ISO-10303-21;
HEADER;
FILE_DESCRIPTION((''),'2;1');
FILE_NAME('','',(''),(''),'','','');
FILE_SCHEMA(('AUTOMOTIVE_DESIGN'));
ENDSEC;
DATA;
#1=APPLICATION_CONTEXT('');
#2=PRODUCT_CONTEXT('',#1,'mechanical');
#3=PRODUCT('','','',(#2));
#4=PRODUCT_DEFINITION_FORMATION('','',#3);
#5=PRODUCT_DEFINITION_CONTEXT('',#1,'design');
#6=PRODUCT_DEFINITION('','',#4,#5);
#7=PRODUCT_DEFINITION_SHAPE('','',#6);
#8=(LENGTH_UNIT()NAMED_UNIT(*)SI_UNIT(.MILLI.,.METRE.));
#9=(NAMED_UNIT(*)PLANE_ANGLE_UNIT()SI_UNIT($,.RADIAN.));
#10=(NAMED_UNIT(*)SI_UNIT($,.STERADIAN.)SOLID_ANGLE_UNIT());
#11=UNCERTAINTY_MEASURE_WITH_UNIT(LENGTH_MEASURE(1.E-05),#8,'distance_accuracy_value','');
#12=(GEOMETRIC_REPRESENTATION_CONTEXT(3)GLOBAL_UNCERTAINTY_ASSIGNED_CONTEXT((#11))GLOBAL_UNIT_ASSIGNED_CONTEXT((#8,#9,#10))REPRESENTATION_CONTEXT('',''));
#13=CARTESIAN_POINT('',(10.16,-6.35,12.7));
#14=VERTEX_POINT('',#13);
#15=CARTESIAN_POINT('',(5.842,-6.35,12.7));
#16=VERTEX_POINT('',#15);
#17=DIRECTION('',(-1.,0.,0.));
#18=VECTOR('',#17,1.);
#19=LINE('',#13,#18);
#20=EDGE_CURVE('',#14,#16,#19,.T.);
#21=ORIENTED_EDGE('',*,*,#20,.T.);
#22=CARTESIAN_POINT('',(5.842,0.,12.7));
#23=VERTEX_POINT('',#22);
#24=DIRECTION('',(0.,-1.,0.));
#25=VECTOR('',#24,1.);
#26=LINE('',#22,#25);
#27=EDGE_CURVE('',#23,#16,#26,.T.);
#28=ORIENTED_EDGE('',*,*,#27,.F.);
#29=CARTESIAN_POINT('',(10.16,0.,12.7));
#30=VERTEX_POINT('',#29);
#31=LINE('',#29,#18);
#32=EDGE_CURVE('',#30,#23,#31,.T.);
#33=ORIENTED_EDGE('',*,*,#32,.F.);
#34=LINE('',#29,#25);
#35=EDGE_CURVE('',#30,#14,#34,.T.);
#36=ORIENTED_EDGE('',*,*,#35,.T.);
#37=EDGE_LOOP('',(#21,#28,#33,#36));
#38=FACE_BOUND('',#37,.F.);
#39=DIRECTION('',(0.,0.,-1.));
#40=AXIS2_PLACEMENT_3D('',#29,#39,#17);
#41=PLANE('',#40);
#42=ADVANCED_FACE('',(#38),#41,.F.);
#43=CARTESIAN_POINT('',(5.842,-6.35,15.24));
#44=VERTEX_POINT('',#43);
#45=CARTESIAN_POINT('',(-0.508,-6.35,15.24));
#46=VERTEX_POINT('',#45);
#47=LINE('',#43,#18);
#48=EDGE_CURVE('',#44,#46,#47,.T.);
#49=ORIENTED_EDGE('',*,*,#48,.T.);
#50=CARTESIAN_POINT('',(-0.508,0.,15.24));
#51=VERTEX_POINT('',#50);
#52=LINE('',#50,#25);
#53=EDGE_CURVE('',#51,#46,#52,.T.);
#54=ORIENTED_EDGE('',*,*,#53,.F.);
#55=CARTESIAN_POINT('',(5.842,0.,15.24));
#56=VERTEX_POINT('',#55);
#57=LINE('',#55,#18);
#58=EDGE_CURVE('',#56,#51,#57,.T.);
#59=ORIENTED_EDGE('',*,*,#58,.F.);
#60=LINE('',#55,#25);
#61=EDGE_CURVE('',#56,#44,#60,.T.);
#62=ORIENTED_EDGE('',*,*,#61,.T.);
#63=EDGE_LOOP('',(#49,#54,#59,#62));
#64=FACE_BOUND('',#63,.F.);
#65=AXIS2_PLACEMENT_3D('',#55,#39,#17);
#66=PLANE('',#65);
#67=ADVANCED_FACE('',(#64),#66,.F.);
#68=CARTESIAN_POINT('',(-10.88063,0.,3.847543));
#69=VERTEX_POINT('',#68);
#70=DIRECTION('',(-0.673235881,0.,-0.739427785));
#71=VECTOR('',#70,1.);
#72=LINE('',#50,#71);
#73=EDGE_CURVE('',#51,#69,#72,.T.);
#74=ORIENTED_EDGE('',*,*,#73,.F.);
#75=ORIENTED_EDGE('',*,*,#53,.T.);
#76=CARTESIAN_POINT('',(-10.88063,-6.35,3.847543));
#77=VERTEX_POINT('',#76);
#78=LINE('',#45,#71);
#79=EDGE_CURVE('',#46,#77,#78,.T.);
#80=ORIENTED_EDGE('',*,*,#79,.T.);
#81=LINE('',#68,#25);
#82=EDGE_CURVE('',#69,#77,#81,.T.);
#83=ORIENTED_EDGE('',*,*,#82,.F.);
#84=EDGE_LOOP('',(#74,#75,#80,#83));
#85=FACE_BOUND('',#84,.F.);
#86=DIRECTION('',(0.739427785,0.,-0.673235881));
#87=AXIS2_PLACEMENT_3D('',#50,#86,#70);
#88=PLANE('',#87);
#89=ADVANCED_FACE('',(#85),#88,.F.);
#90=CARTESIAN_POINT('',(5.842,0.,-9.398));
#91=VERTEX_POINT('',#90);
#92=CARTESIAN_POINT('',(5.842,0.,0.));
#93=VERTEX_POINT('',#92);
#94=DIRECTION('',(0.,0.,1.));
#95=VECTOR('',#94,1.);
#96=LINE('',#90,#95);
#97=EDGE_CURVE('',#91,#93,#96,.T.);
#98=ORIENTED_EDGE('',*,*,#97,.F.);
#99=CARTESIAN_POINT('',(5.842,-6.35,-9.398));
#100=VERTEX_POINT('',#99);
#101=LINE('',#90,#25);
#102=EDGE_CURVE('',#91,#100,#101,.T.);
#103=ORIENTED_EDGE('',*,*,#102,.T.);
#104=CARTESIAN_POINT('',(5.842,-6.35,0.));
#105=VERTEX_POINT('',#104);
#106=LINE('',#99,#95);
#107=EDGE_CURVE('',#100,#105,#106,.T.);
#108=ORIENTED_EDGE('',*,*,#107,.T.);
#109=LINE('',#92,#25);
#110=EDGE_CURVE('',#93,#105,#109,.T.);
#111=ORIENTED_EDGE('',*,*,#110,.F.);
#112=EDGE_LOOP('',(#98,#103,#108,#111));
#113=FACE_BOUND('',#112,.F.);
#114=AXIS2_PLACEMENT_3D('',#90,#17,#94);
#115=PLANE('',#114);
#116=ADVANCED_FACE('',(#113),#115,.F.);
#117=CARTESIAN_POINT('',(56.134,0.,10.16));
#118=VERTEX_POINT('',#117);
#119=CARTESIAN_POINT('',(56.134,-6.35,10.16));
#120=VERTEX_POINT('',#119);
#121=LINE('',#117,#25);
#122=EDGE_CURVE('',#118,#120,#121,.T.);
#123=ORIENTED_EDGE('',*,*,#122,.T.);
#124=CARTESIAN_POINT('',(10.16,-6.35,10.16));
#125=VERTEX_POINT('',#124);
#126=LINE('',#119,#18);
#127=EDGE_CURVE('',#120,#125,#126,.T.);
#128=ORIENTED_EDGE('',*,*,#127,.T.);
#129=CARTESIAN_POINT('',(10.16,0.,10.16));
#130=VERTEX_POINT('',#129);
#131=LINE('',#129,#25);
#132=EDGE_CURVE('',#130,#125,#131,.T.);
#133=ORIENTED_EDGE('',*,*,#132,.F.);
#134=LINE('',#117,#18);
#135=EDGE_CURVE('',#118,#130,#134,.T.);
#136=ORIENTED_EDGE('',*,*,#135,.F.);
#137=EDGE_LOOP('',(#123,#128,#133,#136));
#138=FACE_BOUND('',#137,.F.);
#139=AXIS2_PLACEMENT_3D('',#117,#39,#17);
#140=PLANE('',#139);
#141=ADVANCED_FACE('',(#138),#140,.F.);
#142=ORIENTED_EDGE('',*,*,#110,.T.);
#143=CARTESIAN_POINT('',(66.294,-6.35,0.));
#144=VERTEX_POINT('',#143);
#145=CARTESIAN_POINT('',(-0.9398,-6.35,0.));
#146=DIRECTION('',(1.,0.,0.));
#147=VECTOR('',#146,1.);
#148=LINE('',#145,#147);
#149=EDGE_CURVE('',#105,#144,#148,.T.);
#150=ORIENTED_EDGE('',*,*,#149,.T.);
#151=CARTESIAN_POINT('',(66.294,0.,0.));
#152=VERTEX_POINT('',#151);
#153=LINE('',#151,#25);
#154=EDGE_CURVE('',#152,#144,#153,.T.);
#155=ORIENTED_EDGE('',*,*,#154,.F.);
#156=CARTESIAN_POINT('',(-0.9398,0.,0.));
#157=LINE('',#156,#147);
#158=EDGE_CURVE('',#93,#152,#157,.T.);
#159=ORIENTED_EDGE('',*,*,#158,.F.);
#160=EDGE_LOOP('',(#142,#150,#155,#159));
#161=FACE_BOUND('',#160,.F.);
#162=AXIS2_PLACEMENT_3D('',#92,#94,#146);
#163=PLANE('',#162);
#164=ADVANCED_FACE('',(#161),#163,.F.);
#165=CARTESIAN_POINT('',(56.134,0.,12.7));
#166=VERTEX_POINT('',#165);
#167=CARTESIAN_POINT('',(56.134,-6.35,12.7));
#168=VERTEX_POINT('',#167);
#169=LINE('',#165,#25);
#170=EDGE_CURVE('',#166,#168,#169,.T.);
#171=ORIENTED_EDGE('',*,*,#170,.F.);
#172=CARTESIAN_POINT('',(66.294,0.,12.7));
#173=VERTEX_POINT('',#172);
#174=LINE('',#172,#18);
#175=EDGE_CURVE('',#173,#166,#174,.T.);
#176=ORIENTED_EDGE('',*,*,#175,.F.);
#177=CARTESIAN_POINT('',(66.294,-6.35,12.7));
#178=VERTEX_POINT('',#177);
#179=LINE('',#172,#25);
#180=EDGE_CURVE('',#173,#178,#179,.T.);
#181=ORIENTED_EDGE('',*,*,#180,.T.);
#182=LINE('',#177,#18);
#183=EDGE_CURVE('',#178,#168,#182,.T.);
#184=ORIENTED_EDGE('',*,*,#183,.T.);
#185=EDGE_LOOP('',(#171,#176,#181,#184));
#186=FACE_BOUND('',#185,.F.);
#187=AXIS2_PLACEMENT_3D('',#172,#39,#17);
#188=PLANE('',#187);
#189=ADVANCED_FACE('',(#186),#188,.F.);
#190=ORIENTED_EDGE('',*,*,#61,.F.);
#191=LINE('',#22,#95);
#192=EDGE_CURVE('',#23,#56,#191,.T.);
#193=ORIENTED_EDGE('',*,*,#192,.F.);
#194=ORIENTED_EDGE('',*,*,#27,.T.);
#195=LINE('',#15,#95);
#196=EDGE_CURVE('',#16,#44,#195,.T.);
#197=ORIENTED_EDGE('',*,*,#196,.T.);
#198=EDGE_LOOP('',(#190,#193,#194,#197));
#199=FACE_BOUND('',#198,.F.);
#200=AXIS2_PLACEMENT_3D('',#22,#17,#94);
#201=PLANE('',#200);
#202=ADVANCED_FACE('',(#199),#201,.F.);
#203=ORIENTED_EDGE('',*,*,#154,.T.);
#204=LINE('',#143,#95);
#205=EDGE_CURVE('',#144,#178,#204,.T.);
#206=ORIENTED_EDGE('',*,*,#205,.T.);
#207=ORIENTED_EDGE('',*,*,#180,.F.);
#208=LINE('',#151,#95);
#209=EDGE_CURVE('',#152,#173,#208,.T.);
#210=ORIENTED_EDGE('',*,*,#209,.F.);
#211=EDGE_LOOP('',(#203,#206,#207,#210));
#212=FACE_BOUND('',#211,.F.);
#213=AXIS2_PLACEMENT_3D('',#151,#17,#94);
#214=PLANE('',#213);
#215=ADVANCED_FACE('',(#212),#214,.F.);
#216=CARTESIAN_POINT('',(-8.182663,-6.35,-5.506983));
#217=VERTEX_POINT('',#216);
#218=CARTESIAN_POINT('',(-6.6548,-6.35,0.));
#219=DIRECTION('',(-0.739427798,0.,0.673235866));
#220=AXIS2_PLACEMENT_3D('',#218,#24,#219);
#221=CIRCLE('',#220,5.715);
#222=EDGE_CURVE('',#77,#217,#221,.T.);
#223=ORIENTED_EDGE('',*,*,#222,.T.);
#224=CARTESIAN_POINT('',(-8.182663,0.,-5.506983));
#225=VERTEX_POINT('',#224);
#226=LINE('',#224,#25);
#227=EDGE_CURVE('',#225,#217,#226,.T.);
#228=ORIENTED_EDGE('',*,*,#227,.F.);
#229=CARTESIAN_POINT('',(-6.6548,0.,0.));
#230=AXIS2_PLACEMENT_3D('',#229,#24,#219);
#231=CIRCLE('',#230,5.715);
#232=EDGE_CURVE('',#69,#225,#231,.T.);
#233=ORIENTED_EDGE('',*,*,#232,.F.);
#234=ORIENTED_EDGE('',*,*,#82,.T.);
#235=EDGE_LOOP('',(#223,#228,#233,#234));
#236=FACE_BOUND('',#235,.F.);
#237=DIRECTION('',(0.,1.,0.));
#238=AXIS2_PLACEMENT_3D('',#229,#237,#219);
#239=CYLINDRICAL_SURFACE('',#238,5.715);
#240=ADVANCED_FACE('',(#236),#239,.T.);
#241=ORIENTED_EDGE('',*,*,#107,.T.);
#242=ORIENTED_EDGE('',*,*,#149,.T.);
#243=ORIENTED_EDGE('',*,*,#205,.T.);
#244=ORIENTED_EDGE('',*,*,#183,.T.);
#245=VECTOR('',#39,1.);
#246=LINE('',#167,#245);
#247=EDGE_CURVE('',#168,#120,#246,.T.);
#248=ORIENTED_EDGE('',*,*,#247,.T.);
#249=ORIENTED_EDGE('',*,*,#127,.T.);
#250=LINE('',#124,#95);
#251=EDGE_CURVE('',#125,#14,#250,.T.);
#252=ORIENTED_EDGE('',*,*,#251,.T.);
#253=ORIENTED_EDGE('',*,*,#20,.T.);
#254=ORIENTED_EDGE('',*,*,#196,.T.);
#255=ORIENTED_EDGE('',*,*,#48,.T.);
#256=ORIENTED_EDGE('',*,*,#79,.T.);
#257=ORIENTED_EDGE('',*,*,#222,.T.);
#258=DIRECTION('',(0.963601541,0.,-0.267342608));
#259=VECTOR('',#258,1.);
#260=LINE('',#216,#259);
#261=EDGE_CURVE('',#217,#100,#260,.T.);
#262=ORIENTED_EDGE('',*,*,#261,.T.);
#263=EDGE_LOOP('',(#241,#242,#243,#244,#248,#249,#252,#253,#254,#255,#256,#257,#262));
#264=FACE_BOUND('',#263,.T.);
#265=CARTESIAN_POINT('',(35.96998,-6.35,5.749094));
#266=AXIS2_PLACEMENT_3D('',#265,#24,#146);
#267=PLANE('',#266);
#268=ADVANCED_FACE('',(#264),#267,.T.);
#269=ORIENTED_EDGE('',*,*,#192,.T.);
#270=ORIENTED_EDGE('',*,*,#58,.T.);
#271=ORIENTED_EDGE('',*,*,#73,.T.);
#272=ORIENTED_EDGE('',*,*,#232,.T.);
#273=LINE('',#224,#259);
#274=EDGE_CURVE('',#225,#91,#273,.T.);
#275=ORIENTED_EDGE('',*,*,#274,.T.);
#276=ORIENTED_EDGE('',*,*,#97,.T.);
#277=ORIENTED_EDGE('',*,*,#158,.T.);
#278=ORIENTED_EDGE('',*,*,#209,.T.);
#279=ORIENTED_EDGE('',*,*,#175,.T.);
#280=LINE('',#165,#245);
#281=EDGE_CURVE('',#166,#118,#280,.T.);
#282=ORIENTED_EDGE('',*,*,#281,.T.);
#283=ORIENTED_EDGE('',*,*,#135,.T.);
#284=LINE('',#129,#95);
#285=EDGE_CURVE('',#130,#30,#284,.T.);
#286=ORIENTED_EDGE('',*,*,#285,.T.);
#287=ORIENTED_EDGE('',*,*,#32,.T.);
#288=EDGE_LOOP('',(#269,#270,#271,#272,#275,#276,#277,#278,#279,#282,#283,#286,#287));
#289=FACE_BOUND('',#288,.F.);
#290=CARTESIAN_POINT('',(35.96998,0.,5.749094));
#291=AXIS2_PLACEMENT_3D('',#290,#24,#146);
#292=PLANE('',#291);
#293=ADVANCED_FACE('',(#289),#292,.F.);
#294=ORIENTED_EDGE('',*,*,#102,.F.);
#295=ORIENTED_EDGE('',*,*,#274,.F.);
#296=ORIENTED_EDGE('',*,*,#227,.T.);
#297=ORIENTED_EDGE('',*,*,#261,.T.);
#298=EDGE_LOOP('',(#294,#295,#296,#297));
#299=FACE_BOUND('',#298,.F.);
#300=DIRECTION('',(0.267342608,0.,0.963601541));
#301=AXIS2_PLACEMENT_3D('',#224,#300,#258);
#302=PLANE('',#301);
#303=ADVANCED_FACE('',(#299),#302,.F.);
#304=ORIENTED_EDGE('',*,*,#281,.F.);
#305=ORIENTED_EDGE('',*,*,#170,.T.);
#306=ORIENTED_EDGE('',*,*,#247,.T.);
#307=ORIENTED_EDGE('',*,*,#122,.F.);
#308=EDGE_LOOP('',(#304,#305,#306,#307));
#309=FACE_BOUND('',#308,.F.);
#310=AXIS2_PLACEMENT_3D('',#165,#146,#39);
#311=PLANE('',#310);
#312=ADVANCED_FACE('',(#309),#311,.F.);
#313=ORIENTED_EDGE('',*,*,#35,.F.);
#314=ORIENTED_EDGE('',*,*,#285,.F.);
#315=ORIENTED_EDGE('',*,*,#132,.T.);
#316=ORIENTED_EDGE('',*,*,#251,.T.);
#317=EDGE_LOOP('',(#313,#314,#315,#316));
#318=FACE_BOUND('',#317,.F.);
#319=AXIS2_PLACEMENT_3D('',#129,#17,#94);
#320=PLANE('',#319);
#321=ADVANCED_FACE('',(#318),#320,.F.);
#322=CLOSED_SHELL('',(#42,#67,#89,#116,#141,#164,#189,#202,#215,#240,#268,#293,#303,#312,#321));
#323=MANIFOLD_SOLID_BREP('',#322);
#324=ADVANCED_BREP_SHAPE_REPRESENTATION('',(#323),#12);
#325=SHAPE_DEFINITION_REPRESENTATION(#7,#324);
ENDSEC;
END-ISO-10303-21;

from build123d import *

# Parameters (mm, degrees)
F0_W     = 5.842
F0_H     = 12.7
F0_R     = 3.175
F1_DEPTH = 6.35


with BuildPart() as f1:
    # F0 (on Front) → F1 (new body)
    with BuildSketch(Plane.XZ):
        Polygon((5.842, 12.7), (5.842, 0), (66.294, 0), (66.294, 12.7), (56.134, 12.7), (56.134, 10.16), (10.16, 10.16), (10.16, 12.7), align=None)
        with Locations((2.921, 6.35)):
            Rectangle(F0_W, F0_H)
        with BuildLine():
            Line((-0.9398, 0), (0, 0))
            Line((0, 0), (0, 12.7))
            Line((0, 12.7), (5.842, 12.7))
            Line((5.842, 12.7), (5.842, 15.24))
            Line((5.842, 15.24), (-0.508, 15.24))
            Line((-0.508, 15.24), (-10.88063, 3.847543))
            ThreePointArc((-10.88063, 3.847543), (-4.591961, 5.329721), (-0.9398, 0))
        make_face()
        with BuildLine():
            ThreePointArc((-8.182663, -5.506983), (-3.195791, -4.549339), (-0.9398, 0))
            ThreePointArc((-0.9398, 0), (-4.591961, 5.329721), (-10.88063, 3.847543))
            ThreePointArc((-10.88063, 3.847543), (-12.145978, -1.583727), (-8.182663, -5.506983))
        make_face()
        with Locations((-6.6548, 0)):
            Circle(F0_R, mode=Mode.SUBTRACT)
        with Locations((-6.6548, 0)):
            Circle(F0_R)
        with BuildLine():
            Line((5.842, 0), (0, 0))
            Line((0, 0), (-0.9398, 0))
            ThreePointArc((-0.9398, 0), (-3.195791, -4.549339), (-8.182663, -5.506983))
            Line((-8.182663, -5.506983), (5.842, -9.398))
            Line((5.842, -9.398), (5.842, 0))
        make_face()
    extrude(amount=F1_DEPTH)


solid = f1.part
